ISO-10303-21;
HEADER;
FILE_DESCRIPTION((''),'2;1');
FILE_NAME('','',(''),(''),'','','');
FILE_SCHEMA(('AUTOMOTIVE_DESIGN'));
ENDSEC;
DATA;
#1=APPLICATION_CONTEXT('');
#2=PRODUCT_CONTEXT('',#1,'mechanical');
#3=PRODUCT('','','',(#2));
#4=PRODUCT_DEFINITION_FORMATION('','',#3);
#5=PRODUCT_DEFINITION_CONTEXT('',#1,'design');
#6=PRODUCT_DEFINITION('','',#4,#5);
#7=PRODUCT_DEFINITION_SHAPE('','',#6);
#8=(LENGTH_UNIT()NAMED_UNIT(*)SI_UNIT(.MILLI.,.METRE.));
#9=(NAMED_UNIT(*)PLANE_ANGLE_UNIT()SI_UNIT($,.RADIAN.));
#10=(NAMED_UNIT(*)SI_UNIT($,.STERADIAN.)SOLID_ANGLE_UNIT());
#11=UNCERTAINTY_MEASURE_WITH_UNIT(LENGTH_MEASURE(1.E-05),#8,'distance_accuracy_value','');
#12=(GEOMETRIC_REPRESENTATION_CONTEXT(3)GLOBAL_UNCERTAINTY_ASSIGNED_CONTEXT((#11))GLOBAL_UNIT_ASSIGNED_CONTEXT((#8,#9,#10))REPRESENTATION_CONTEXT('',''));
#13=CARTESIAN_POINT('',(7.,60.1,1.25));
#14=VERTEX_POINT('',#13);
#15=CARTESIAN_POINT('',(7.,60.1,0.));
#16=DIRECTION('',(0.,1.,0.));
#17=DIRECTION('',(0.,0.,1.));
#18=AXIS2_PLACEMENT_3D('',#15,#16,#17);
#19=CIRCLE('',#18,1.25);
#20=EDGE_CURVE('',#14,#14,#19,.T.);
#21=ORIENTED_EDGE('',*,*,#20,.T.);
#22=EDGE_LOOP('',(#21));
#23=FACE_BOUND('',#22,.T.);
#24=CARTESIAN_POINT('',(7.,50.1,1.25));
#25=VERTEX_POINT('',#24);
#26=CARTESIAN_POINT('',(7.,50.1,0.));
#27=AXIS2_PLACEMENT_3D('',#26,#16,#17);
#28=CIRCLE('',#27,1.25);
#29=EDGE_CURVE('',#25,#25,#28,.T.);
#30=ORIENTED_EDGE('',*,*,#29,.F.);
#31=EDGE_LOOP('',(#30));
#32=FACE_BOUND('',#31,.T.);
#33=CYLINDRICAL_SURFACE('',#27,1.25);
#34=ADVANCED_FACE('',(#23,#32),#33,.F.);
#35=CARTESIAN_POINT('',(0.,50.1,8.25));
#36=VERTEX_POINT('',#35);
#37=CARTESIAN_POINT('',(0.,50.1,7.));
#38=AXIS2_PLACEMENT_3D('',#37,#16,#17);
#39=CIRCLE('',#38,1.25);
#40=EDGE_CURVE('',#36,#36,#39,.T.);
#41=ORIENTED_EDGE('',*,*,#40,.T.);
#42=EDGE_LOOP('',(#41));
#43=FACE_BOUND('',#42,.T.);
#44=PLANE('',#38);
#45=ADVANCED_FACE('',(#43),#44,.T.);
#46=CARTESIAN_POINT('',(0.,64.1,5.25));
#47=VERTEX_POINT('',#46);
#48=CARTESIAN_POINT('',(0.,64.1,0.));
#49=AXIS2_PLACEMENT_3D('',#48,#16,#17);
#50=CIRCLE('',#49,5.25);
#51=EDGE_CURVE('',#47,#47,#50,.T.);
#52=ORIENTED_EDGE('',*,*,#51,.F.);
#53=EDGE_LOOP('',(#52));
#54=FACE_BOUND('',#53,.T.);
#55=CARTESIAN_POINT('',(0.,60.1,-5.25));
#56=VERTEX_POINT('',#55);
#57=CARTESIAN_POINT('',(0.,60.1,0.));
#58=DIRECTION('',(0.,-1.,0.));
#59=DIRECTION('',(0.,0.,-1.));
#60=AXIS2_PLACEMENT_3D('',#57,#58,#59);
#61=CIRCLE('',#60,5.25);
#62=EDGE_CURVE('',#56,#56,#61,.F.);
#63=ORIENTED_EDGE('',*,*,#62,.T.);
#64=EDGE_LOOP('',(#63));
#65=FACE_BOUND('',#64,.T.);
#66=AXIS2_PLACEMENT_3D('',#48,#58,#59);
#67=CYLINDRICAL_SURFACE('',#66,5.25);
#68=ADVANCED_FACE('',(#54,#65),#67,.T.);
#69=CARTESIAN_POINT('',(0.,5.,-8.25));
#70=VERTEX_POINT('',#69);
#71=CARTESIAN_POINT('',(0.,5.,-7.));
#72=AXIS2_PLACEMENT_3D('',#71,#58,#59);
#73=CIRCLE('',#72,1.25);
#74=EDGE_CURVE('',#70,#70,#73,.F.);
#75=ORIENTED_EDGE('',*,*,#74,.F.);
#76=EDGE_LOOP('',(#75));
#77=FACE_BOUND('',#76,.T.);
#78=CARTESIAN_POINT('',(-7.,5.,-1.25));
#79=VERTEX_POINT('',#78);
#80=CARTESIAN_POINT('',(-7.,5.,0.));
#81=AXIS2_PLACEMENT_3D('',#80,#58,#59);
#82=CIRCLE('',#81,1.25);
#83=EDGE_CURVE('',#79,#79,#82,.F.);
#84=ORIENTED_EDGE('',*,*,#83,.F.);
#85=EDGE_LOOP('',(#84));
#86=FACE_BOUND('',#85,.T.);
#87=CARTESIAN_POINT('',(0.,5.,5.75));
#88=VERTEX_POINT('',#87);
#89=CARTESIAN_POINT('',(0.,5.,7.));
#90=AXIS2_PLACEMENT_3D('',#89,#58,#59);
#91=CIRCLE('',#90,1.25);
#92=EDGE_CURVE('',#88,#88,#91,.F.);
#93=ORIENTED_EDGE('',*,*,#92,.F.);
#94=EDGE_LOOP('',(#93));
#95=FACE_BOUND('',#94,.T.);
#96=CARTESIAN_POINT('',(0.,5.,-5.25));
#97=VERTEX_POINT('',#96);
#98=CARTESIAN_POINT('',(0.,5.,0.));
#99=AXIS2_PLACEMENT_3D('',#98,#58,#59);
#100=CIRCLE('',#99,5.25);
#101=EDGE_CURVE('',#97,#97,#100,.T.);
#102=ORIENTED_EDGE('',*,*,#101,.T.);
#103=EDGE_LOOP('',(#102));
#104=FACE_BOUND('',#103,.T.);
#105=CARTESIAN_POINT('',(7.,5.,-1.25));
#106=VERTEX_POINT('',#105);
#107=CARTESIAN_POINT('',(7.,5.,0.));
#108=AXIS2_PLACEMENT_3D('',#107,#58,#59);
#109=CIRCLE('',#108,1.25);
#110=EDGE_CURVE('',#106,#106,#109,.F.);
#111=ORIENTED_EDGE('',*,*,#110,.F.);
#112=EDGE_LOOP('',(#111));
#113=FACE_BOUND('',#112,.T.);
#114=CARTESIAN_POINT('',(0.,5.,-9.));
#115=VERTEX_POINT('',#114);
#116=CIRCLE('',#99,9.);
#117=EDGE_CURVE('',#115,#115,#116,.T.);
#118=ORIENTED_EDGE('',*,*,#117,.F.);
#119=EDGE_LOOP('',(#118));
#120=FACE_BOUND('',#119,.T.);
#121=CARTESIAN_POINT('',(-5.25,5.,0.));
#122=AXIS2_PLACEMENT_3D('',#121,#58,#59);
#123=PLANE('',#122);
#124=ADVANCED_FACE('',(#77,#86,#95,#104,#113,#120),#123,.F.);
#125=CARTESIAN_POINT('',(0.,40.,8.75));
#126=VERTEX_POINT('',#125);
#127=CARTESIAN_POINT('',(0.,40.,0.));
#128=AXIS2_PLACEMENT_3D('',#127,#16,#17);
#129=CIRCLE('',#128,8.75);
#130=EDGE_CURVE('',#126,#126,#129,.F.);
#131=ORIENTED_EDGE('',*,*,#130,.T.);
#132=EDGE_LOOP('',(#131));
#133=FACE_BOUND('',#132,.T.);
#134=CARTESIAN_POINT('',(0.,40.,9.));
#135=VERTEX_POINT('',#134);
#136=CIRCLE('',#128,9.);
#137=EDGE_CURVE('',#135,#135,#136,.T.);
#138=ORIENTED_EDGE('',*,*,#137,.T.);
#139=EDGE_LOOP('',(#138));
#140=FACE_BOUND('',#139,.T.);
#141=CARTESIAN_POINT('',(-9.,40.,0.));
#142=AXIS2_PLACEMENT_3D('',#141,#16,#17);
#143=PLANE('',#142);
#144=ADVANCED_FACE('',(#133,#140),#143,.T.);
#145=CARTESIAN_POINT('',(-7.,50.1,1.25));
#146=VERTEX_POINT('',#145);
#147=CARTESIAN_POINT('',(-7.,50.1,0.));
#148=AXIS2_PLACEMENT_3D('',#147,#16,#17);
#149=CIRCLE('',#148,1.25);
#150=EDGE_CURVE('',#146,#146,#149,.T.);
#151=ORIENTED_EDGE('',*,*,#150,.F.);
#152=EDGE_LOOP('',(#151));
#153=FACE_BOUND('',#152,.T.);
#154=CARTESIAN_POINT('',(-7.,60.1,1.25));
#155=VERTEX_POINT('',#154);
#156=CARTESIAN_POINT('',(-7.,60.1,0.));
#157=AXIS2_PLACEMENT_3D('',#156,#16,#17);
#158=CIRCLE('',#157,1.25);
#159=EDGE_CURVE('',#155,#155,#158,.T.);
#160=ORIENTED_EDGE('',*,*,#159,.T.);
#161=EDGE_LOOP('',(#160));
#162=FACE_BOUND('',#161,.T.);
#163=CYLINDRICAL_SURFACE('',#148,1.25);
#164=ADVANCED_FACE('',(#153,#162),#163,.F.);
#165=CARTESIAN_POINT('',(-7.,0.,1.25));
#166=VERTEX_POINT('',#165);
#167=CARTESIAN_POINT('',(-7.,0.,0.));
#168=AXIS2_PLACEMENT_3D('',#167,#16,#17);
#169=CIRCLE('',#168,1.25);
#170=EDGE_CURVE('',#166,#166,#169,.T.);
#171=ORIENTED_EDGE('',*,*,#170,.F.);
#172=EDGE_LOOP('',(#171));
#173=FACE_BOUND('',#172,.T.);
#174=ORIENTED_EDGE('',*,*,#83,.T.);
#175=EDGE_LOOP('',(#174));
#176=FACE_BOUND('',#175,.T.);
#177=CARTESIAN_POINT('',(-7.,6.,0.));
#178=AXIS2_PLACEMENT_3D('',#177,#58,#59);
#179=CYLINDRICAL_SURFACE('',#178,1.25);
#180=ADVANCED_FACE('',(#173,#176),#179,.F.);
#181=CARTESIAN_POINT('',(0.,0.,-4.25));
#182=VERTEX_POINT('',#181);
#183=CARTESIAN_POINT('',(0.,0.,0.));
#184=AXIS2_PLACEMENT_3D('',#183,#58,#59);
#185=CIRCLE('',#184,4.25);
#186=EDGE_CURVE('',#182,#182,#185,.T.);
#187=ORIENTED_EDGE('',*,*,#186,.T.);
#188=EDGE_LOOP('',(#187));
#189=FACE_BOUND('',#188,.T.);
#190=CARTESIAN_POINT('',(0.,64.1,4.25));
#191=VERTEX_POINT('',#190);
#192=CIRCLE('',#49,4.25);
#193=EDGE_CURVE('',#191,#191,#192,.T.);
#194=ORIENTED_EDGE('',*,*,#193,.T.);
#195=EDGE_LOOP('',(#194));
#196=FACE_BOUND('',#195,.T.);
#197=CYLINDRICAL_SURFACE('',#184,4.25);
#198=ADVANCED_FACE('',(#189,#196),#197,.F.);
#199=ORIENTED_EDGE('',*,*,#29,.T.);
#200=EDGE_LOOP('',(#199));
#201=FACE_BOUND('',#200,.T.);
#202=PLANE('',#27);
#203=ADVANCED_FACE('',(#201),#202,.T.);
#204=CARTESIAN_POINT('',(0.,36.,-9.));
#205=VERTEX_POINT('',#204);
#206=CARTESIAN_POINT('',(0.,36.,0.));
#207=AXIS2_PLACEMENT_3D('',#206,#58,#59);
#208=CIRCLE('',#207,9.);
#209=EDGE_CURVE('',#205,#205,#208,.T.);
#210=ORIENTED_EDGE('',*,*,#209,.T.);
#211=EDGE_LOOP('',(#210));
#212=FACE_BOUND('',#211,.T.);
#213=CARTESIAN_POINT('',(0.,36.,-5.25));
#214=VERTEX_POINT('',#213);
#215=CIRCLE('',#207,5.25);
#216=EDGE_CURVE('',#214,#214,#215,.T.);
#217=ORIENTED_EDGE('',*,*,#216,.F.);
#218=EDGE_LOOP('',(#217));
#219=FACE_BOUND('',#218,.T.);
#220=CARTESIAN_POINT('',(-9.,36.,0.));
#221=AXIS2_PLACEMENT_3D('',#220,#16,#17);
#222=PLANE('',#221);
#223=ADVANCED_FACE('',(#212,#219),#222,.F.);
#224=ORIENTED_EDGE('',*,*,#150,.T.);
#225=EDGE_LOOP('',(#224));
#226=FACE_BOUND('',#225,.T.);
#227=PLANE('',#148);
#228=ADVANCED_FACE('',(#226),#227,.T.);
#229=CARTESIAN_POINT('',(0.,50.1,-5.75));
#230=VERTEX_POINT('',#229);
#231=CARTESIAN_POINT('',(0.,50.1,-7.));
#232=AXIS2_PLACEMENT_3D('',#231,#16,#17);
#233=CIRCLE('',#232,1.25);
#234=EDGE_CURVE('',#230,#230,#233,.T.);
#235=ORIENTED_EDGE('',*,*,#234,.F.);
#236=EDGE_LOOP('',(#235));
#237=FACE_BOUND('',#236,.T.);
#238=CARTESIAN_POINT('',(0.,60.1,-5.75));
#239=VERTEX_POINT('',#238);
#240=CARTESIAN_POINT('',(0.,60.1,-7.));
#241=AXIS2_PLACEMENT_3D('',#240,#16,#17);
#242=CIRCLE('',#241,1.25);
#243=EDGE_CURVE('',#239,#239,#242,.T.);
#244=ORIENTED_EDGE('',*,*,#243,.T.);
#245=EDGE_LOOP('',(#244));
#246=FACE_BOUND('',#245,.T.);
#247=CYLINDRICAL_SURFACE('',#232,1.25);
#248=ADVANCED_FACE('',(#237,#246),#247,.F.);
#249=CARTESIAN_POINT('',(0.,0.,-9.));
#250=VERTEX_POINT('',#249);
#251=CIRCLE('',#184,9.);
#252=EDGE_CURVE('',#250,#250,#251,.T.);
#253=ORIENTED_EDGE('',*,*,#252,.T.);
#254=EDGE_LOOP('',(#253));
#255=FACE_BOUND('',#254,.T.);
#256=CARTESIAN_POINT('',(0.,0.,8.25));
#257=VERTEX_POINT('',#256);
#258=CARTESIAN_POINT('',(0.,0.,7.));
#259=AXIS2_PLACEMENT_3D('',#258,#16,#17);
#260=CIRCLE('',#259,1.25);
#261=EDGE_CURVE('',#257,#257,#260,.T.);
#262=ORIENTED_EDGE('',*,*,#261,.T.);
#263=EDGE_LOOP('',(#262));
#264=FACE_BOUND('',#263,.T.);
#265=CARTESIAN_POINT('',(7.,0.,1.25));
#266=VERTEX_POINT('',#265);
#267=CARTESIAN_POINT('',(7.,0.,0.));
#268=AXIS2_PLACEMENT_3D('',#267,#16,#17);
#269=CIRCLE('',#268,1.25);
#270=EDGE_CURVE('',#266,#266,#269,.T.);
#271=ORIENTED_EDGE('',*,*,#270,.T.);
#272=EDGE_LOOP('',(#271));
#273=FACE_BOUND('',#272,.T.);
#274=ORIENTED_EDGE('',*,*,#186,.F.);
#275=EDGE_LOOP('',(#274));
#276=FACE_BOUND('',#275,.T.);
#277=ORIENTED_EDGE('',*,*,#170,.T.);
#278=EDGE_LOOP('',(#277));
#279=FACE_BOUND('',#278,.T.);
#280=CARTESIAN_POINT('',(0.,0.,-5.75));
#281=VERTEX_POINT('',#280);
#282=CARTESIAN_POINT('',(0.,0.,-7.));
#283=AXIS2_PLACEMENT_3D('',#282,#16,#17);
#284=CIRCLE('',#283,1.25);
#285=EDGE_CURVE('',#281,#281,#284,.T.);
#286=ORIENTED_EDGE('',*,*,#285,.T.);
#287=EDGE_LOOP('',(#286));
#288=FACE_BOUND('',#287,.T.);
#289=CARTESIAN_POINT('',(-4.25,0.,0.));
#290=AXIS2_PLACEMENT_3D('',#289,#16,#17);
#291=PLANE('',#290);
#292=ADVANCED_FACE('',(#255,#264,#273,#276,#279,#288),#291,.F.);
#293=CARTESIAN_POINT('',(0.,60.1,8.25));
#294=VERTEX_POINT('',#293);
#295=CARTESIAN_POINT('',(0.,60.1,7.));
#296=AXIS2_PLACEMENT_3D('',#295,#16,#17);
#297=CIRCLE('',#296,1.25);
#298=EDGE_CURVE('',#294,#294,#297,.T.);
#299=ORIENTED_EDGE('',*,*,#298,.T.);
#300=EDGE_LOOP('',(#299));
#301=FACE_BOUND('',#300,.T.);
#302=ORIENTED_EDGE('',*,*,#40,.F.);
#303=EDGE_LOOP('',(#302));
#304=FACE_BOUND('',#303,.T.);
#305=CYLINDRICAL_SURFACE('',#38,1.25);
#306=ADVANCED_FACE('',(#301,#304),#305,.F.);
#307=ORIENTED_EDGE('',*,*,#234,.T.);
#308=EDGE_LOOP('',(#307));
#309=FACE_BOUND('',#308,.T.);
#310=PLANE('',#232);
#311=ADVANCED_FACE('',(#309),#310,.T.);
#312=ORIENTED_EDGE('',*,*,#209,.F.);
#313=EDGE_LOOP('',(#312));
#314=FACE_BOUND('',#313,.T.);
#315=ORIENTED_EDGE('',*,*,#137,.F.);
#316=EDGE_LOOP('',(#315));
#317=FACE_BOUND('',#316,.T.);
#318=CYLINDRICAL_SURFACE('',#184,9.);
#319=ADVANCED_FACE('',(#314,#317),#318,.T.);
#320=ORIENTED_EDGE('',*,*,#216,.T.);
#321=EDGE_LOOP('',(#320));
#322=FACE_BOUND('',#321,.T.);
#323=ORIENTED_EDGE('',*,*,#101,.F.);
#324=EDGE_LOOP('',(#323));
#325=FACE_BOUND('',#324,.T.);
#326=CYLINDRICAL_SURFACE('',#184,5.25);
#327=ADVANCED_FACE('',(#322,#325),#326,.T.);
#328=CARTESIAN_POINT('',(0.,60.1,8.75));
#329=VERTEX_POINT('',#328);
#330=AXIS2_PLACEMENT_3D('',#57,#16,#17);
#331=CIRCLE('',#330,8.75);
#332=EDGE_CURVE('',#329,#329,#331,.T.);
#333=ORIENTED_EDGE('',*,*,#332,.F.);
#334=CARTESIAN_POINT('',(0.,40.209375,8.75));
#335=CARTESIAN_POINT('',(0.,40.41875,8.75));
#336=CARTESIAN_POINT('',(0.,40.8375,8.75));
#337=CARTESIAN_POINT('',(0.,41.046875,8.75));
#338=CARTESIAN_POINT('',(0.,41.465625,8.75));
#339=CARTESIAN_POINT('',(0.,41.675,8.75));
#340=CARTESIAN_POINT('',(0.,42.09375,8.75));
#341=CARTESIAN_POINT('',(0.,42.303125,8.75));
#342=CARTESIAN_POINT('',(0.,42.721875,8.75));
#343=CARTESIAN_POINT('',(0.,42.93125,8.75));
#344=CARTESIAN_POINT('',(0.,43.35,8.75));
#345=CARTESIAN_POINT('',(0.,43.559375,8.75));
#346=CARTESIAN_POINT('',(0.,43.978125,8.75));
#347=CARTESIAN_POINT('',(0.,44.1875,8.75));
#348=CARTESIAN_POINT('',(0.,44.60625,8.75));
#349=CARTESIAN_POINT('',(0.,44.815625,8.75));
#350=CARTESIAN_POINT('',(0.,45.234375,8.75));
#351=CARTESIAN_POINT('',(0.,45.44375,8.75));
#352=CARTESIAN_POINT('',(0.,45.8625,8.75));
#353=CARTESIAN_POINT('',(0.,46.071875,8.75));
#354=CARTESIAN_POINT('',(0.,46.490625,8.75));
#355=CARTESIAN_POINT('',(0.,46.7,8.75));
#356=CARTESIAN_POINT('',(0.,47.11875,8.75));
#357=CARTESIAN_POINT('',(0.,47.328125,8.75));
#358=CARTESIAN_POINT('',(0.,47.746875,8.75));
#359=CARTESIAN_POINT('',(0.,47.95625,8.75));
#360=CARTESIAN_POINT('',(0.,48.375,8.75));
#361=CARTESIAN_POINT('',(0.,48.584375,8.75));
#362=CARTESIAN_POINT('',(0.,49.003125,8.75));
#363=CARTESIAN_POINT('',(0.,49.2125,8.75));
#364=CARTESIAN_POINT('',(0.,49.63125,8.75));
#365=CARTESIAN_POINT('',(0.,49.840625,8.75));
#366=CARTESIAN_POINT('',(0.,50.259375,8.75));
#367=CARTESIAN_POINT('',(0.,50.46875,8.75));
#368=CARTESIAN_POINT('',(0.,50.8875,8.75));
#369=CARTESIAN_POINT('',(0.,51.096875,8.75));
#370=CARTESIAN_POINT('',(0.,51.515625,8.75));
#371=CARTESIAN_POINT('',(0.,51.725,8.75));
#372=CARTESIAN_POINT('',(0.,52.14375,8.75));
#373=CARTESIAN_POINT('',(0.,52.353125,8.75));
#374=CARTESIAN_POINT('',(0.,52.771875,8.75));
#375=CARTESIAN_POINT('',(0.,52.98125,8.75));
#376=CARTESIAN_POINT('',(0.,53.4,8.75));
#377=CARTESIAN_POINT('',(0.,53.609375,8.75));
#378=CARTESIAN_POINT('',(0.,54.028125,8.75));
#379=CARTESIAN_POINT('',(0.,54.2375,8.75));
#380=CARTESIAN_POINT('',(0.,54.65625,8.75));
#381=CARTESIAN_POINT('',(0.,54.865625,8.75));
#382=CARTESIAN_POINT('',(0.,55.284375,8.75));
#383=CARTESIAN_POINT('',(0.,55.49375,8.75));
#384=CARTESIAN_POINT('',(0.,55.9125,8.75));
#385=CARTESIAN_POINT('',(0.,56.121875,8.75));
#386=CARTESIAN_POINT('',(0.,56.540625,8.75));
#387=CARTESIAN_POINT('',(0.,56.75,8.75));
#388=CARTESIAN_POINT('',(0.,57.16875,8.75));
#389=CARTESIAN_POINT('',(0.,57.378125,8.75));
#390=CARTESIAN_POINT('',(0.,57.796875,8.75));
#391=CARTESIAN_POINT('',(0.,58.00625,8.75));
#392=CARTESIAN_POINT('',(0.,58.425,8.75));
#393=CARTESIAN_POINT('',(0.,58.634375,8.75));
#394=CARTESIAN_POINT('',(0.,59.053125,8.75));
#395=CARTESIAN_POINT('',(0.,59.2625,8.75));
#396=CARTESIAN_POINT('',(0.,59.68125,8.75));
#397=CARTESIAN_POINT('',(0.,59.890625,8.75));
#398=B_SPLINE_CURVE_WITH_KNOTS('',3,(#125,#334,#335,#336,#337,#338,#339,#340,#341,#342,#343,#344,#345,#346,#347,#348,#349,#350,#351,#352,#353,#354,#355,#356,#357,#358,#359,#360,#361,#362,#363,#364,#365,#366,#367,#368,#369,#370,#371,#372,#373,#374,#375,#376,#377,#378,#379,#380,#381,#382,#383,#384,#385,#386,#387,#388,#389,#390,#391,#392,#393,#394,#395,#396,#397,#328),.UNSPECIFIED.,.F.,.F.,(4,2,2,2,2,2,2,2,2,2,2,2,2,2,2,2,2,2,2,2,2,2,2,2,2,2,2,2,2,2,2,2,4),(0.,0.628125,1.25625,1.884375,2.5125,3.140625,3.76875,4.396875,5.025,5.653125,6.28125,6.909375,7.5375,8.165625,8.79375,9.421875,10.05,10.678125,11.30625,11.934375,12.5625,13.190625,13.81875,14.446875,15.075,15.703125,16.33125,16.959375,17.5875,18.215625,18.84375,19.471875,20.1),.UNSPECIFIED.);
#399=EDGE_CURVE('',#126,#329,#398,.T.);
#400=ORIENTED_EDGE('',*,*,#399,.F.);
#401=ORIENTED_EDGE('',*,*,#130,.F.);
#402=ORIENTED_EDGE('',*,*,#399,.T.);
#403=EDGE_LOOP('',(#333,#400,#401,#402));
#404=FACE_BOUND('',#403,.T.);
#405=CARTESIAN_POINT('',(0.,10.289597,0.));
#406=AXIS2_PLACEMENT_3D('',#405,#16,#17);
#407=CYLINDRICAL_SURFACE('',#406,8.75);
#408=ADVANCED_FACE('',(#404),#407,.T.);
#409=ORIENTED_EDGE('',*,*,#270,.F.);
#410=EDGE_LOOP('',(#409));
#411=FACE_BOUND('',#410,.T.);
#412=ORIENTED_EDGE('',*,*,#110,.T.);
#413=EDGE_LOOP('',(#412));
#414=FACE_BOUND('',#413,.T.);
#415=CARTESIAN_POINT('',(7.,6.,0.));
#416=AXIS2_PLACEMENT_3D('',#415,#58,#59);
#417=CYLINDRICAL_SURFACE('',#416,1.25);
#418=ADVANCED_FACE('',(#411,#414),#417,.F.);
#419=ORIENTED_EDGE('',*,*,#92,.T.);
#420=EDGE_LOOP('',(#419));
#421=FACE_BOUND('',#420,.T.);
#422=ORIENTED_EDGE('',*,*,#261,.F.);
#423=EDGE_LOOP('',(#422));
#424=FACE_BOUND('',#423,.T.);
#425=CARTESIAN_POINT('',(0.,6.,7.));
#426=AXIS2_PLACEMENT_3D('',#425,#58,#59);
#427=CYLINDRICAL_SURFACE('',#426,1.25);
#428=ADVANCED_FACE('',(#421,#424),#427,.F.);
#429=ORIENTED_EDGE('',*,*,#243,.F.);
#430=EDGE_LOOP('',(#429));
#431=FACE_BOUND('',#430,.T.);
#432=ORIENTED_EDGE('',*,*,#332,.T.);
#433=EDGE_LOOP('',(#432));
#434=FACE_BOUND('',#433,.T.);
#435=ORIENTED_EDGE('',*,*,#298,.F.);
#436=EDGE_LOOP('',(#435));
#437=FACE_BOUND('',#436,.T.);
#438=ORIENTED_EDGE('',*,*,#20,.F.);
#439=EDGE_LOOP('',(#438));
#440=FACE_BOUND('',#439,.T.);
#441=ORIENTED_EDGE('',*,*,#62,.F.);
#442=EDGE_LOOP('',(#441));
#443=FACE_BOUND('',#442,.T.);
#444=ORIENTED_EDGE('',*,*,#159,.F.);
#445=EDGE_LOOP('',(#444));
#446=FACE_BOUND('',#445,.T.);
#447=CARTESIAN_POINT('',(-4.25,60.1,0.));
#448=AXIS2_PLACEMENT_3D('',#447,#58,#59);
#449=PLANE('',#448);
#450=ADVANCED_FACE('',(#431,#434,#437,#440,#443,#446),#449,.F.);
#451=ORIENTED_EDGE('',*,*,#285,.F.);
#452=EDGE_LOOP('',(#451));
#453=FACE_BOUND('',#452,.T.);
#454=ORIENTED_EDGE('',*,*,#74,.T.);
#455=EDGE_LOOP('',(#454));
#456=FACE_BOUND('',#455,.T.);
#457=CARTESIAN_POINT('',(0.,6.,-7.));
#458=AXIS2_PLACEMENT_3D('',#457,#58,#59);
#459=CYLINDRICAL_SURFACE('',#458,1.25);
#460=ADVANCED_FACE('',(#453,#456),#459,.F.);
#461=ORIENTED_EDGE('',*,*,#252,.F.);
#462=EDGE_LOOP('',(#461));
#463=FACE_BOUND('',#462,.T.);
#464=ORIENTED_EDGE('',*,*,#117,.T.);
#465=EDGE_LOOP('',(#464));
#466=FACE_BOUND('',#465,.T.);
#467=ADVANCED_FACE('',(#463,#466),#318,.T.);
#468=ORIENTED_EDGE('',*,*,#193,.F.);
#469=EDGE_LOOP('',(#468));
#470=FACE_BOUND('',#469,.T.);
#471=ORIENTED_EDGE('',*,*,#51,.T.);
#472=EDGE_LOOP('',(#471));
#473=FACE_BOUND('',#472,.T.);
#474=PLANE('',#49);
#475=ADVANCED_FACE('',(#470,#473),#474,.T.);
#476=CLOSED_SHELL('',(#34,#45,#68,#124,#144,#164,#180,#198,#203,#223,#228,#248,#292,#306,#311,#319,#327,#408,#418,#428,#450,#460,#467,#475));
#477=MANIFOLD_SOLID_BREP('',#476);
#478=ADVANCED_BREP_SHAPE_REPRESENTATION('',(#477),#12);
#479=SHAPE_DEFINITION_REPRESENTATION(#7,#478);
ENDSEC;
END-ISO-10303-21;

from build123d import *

# Parameters (mm, degrees)
SKETCH_2_R          = 1.25
CUT_EXTRUDE_1_DEPTH = 10
CUT_EXTRUDE_START   = -54.1
SKETCH_2_2_R        = 1.25
CUT_EXTRUDE_2_DEPTH = 6
SKETCH_3_OUTSIDE_W  = 33.054
SKETCH_3_OUTSIDE_H  = 33.054
SKETCH_3_OUTSIDE_R  = 8.75
CUT_EXTRUDE_3_DEPTH = 20.1
SKETCH_4_R          = 5.25
SKETCH_4_R_2        = 4.25
EXTRUDE_1_DEPTH     = 4


with BuildPart() as part:
    # 草图1 → 旋转1 (revolve)
    with BuildSketch(Plane.XY, mode=Mode.PRIVATE) as revolve_1_sk:
        Polygon((-9, 36), (-5.25, 36), (-5.25, 5), (-9, 5), (-9, 0), (-4.25, 0), (-4.25, 60.1), (-9, 60.1), align=None)
    revolve(revolve_1_sk.sketch.rotate(Axis((0, 0, 0), (0, 1, 0)), 270), axis=Axis((0, 0, 0), (0, 1, 0)))

    # 草图2 → 切除-拉伸1 (cut)
    with BuildSketch(Plane(origin=(0, 60.1, 0), x_dir=(1, 0, 0), z_dir=(0, 1, 0))):
        with Locations(Location((0, 7, 0), (0, 0, 270))):
            Circle(SKETCH_2_R)
        with Locations(Location((0, -7, 0), (0, 0, 270))):
            Circle(SKETCH_2_R)
        with Locations(Location((-7, 0, 0), (0, 0, 270))):
            Circle(SKETCH_2_R)
        with Locations(Location((7, 0, 0), (0, 0, 270))):
            Circle(SKETCH_2_R)
    extrude(amount=-CUT_EXTRUDE_1_DEPTH, mode=Mode.SUBTRACT)

    # 草图2<2> → 切除-拉伸2 (cut)
    with BuildSketch(Plane(origin=(0, 60.1, 0), x_dir=(1, 0, 0), z_dir=(0, 1, 0)).offset(CUT_EXTRUDE_START)):
        with Locations(Location((0, 7, 0), (0, 0, 270))):
            Circle(SKETCH_2_2_R)
        with Locations(Location((0, -7, 0), (0, 0, 270))):
            Circle(SKETCH_2_2_R)
        with Locations(Location((-7, 0, 0), (0, 0, 270))):
            Circle(SKETCH_2_2_R)
        with Locations(Location((7, 0, 0), (0, 0, 270))):
            Circle(SKETCH_2_2_R)
    extrude(amount=-CUT_EXTRUDE_2_DEPTH, mode=Mode.SUBTRACT)

    # 草图3 outside → 切除-拉伸3 (cut)
    with BuildSketch(Plane(origin=(0, 60.1, 0), x_dir=(1, 0, 0), z_dir=(0, 1, 0))):
        Rectangle(SKETCH_3_OUTSIDE_W, SKETCH_3_OUTSIDE_H)
        with Locations(Location((0, 0, 0), (0, 0, 270))):
            Circle(SKETCH_3_OUTSIDE_R, mode=Mode.SUBTRACT)
    extrude(amount=-CUT_EXTRUDE_3_DEPTH, mode=Mode.SUBTRACT)

    # 草图4 → 凸台-拉伸1 (add)
    with BuildSketch(Plane(origin=(0, 60.1, 0), x_dir=(1, 0, 0), z_dir=(0, 1, 0))):
        with Locations(Location((0, 0, 0), (0, 0, 90))):
            Circle(SKETCH_4_R)
        with Locations(Location((0, 0, 0), (0, 0, 90))):
            Circle(SKETCH_4_R_2, mode=Mode.SUBTRACT)
    extrude(amount=EXTRUDE_1_DEPTH)


solid = part.part
